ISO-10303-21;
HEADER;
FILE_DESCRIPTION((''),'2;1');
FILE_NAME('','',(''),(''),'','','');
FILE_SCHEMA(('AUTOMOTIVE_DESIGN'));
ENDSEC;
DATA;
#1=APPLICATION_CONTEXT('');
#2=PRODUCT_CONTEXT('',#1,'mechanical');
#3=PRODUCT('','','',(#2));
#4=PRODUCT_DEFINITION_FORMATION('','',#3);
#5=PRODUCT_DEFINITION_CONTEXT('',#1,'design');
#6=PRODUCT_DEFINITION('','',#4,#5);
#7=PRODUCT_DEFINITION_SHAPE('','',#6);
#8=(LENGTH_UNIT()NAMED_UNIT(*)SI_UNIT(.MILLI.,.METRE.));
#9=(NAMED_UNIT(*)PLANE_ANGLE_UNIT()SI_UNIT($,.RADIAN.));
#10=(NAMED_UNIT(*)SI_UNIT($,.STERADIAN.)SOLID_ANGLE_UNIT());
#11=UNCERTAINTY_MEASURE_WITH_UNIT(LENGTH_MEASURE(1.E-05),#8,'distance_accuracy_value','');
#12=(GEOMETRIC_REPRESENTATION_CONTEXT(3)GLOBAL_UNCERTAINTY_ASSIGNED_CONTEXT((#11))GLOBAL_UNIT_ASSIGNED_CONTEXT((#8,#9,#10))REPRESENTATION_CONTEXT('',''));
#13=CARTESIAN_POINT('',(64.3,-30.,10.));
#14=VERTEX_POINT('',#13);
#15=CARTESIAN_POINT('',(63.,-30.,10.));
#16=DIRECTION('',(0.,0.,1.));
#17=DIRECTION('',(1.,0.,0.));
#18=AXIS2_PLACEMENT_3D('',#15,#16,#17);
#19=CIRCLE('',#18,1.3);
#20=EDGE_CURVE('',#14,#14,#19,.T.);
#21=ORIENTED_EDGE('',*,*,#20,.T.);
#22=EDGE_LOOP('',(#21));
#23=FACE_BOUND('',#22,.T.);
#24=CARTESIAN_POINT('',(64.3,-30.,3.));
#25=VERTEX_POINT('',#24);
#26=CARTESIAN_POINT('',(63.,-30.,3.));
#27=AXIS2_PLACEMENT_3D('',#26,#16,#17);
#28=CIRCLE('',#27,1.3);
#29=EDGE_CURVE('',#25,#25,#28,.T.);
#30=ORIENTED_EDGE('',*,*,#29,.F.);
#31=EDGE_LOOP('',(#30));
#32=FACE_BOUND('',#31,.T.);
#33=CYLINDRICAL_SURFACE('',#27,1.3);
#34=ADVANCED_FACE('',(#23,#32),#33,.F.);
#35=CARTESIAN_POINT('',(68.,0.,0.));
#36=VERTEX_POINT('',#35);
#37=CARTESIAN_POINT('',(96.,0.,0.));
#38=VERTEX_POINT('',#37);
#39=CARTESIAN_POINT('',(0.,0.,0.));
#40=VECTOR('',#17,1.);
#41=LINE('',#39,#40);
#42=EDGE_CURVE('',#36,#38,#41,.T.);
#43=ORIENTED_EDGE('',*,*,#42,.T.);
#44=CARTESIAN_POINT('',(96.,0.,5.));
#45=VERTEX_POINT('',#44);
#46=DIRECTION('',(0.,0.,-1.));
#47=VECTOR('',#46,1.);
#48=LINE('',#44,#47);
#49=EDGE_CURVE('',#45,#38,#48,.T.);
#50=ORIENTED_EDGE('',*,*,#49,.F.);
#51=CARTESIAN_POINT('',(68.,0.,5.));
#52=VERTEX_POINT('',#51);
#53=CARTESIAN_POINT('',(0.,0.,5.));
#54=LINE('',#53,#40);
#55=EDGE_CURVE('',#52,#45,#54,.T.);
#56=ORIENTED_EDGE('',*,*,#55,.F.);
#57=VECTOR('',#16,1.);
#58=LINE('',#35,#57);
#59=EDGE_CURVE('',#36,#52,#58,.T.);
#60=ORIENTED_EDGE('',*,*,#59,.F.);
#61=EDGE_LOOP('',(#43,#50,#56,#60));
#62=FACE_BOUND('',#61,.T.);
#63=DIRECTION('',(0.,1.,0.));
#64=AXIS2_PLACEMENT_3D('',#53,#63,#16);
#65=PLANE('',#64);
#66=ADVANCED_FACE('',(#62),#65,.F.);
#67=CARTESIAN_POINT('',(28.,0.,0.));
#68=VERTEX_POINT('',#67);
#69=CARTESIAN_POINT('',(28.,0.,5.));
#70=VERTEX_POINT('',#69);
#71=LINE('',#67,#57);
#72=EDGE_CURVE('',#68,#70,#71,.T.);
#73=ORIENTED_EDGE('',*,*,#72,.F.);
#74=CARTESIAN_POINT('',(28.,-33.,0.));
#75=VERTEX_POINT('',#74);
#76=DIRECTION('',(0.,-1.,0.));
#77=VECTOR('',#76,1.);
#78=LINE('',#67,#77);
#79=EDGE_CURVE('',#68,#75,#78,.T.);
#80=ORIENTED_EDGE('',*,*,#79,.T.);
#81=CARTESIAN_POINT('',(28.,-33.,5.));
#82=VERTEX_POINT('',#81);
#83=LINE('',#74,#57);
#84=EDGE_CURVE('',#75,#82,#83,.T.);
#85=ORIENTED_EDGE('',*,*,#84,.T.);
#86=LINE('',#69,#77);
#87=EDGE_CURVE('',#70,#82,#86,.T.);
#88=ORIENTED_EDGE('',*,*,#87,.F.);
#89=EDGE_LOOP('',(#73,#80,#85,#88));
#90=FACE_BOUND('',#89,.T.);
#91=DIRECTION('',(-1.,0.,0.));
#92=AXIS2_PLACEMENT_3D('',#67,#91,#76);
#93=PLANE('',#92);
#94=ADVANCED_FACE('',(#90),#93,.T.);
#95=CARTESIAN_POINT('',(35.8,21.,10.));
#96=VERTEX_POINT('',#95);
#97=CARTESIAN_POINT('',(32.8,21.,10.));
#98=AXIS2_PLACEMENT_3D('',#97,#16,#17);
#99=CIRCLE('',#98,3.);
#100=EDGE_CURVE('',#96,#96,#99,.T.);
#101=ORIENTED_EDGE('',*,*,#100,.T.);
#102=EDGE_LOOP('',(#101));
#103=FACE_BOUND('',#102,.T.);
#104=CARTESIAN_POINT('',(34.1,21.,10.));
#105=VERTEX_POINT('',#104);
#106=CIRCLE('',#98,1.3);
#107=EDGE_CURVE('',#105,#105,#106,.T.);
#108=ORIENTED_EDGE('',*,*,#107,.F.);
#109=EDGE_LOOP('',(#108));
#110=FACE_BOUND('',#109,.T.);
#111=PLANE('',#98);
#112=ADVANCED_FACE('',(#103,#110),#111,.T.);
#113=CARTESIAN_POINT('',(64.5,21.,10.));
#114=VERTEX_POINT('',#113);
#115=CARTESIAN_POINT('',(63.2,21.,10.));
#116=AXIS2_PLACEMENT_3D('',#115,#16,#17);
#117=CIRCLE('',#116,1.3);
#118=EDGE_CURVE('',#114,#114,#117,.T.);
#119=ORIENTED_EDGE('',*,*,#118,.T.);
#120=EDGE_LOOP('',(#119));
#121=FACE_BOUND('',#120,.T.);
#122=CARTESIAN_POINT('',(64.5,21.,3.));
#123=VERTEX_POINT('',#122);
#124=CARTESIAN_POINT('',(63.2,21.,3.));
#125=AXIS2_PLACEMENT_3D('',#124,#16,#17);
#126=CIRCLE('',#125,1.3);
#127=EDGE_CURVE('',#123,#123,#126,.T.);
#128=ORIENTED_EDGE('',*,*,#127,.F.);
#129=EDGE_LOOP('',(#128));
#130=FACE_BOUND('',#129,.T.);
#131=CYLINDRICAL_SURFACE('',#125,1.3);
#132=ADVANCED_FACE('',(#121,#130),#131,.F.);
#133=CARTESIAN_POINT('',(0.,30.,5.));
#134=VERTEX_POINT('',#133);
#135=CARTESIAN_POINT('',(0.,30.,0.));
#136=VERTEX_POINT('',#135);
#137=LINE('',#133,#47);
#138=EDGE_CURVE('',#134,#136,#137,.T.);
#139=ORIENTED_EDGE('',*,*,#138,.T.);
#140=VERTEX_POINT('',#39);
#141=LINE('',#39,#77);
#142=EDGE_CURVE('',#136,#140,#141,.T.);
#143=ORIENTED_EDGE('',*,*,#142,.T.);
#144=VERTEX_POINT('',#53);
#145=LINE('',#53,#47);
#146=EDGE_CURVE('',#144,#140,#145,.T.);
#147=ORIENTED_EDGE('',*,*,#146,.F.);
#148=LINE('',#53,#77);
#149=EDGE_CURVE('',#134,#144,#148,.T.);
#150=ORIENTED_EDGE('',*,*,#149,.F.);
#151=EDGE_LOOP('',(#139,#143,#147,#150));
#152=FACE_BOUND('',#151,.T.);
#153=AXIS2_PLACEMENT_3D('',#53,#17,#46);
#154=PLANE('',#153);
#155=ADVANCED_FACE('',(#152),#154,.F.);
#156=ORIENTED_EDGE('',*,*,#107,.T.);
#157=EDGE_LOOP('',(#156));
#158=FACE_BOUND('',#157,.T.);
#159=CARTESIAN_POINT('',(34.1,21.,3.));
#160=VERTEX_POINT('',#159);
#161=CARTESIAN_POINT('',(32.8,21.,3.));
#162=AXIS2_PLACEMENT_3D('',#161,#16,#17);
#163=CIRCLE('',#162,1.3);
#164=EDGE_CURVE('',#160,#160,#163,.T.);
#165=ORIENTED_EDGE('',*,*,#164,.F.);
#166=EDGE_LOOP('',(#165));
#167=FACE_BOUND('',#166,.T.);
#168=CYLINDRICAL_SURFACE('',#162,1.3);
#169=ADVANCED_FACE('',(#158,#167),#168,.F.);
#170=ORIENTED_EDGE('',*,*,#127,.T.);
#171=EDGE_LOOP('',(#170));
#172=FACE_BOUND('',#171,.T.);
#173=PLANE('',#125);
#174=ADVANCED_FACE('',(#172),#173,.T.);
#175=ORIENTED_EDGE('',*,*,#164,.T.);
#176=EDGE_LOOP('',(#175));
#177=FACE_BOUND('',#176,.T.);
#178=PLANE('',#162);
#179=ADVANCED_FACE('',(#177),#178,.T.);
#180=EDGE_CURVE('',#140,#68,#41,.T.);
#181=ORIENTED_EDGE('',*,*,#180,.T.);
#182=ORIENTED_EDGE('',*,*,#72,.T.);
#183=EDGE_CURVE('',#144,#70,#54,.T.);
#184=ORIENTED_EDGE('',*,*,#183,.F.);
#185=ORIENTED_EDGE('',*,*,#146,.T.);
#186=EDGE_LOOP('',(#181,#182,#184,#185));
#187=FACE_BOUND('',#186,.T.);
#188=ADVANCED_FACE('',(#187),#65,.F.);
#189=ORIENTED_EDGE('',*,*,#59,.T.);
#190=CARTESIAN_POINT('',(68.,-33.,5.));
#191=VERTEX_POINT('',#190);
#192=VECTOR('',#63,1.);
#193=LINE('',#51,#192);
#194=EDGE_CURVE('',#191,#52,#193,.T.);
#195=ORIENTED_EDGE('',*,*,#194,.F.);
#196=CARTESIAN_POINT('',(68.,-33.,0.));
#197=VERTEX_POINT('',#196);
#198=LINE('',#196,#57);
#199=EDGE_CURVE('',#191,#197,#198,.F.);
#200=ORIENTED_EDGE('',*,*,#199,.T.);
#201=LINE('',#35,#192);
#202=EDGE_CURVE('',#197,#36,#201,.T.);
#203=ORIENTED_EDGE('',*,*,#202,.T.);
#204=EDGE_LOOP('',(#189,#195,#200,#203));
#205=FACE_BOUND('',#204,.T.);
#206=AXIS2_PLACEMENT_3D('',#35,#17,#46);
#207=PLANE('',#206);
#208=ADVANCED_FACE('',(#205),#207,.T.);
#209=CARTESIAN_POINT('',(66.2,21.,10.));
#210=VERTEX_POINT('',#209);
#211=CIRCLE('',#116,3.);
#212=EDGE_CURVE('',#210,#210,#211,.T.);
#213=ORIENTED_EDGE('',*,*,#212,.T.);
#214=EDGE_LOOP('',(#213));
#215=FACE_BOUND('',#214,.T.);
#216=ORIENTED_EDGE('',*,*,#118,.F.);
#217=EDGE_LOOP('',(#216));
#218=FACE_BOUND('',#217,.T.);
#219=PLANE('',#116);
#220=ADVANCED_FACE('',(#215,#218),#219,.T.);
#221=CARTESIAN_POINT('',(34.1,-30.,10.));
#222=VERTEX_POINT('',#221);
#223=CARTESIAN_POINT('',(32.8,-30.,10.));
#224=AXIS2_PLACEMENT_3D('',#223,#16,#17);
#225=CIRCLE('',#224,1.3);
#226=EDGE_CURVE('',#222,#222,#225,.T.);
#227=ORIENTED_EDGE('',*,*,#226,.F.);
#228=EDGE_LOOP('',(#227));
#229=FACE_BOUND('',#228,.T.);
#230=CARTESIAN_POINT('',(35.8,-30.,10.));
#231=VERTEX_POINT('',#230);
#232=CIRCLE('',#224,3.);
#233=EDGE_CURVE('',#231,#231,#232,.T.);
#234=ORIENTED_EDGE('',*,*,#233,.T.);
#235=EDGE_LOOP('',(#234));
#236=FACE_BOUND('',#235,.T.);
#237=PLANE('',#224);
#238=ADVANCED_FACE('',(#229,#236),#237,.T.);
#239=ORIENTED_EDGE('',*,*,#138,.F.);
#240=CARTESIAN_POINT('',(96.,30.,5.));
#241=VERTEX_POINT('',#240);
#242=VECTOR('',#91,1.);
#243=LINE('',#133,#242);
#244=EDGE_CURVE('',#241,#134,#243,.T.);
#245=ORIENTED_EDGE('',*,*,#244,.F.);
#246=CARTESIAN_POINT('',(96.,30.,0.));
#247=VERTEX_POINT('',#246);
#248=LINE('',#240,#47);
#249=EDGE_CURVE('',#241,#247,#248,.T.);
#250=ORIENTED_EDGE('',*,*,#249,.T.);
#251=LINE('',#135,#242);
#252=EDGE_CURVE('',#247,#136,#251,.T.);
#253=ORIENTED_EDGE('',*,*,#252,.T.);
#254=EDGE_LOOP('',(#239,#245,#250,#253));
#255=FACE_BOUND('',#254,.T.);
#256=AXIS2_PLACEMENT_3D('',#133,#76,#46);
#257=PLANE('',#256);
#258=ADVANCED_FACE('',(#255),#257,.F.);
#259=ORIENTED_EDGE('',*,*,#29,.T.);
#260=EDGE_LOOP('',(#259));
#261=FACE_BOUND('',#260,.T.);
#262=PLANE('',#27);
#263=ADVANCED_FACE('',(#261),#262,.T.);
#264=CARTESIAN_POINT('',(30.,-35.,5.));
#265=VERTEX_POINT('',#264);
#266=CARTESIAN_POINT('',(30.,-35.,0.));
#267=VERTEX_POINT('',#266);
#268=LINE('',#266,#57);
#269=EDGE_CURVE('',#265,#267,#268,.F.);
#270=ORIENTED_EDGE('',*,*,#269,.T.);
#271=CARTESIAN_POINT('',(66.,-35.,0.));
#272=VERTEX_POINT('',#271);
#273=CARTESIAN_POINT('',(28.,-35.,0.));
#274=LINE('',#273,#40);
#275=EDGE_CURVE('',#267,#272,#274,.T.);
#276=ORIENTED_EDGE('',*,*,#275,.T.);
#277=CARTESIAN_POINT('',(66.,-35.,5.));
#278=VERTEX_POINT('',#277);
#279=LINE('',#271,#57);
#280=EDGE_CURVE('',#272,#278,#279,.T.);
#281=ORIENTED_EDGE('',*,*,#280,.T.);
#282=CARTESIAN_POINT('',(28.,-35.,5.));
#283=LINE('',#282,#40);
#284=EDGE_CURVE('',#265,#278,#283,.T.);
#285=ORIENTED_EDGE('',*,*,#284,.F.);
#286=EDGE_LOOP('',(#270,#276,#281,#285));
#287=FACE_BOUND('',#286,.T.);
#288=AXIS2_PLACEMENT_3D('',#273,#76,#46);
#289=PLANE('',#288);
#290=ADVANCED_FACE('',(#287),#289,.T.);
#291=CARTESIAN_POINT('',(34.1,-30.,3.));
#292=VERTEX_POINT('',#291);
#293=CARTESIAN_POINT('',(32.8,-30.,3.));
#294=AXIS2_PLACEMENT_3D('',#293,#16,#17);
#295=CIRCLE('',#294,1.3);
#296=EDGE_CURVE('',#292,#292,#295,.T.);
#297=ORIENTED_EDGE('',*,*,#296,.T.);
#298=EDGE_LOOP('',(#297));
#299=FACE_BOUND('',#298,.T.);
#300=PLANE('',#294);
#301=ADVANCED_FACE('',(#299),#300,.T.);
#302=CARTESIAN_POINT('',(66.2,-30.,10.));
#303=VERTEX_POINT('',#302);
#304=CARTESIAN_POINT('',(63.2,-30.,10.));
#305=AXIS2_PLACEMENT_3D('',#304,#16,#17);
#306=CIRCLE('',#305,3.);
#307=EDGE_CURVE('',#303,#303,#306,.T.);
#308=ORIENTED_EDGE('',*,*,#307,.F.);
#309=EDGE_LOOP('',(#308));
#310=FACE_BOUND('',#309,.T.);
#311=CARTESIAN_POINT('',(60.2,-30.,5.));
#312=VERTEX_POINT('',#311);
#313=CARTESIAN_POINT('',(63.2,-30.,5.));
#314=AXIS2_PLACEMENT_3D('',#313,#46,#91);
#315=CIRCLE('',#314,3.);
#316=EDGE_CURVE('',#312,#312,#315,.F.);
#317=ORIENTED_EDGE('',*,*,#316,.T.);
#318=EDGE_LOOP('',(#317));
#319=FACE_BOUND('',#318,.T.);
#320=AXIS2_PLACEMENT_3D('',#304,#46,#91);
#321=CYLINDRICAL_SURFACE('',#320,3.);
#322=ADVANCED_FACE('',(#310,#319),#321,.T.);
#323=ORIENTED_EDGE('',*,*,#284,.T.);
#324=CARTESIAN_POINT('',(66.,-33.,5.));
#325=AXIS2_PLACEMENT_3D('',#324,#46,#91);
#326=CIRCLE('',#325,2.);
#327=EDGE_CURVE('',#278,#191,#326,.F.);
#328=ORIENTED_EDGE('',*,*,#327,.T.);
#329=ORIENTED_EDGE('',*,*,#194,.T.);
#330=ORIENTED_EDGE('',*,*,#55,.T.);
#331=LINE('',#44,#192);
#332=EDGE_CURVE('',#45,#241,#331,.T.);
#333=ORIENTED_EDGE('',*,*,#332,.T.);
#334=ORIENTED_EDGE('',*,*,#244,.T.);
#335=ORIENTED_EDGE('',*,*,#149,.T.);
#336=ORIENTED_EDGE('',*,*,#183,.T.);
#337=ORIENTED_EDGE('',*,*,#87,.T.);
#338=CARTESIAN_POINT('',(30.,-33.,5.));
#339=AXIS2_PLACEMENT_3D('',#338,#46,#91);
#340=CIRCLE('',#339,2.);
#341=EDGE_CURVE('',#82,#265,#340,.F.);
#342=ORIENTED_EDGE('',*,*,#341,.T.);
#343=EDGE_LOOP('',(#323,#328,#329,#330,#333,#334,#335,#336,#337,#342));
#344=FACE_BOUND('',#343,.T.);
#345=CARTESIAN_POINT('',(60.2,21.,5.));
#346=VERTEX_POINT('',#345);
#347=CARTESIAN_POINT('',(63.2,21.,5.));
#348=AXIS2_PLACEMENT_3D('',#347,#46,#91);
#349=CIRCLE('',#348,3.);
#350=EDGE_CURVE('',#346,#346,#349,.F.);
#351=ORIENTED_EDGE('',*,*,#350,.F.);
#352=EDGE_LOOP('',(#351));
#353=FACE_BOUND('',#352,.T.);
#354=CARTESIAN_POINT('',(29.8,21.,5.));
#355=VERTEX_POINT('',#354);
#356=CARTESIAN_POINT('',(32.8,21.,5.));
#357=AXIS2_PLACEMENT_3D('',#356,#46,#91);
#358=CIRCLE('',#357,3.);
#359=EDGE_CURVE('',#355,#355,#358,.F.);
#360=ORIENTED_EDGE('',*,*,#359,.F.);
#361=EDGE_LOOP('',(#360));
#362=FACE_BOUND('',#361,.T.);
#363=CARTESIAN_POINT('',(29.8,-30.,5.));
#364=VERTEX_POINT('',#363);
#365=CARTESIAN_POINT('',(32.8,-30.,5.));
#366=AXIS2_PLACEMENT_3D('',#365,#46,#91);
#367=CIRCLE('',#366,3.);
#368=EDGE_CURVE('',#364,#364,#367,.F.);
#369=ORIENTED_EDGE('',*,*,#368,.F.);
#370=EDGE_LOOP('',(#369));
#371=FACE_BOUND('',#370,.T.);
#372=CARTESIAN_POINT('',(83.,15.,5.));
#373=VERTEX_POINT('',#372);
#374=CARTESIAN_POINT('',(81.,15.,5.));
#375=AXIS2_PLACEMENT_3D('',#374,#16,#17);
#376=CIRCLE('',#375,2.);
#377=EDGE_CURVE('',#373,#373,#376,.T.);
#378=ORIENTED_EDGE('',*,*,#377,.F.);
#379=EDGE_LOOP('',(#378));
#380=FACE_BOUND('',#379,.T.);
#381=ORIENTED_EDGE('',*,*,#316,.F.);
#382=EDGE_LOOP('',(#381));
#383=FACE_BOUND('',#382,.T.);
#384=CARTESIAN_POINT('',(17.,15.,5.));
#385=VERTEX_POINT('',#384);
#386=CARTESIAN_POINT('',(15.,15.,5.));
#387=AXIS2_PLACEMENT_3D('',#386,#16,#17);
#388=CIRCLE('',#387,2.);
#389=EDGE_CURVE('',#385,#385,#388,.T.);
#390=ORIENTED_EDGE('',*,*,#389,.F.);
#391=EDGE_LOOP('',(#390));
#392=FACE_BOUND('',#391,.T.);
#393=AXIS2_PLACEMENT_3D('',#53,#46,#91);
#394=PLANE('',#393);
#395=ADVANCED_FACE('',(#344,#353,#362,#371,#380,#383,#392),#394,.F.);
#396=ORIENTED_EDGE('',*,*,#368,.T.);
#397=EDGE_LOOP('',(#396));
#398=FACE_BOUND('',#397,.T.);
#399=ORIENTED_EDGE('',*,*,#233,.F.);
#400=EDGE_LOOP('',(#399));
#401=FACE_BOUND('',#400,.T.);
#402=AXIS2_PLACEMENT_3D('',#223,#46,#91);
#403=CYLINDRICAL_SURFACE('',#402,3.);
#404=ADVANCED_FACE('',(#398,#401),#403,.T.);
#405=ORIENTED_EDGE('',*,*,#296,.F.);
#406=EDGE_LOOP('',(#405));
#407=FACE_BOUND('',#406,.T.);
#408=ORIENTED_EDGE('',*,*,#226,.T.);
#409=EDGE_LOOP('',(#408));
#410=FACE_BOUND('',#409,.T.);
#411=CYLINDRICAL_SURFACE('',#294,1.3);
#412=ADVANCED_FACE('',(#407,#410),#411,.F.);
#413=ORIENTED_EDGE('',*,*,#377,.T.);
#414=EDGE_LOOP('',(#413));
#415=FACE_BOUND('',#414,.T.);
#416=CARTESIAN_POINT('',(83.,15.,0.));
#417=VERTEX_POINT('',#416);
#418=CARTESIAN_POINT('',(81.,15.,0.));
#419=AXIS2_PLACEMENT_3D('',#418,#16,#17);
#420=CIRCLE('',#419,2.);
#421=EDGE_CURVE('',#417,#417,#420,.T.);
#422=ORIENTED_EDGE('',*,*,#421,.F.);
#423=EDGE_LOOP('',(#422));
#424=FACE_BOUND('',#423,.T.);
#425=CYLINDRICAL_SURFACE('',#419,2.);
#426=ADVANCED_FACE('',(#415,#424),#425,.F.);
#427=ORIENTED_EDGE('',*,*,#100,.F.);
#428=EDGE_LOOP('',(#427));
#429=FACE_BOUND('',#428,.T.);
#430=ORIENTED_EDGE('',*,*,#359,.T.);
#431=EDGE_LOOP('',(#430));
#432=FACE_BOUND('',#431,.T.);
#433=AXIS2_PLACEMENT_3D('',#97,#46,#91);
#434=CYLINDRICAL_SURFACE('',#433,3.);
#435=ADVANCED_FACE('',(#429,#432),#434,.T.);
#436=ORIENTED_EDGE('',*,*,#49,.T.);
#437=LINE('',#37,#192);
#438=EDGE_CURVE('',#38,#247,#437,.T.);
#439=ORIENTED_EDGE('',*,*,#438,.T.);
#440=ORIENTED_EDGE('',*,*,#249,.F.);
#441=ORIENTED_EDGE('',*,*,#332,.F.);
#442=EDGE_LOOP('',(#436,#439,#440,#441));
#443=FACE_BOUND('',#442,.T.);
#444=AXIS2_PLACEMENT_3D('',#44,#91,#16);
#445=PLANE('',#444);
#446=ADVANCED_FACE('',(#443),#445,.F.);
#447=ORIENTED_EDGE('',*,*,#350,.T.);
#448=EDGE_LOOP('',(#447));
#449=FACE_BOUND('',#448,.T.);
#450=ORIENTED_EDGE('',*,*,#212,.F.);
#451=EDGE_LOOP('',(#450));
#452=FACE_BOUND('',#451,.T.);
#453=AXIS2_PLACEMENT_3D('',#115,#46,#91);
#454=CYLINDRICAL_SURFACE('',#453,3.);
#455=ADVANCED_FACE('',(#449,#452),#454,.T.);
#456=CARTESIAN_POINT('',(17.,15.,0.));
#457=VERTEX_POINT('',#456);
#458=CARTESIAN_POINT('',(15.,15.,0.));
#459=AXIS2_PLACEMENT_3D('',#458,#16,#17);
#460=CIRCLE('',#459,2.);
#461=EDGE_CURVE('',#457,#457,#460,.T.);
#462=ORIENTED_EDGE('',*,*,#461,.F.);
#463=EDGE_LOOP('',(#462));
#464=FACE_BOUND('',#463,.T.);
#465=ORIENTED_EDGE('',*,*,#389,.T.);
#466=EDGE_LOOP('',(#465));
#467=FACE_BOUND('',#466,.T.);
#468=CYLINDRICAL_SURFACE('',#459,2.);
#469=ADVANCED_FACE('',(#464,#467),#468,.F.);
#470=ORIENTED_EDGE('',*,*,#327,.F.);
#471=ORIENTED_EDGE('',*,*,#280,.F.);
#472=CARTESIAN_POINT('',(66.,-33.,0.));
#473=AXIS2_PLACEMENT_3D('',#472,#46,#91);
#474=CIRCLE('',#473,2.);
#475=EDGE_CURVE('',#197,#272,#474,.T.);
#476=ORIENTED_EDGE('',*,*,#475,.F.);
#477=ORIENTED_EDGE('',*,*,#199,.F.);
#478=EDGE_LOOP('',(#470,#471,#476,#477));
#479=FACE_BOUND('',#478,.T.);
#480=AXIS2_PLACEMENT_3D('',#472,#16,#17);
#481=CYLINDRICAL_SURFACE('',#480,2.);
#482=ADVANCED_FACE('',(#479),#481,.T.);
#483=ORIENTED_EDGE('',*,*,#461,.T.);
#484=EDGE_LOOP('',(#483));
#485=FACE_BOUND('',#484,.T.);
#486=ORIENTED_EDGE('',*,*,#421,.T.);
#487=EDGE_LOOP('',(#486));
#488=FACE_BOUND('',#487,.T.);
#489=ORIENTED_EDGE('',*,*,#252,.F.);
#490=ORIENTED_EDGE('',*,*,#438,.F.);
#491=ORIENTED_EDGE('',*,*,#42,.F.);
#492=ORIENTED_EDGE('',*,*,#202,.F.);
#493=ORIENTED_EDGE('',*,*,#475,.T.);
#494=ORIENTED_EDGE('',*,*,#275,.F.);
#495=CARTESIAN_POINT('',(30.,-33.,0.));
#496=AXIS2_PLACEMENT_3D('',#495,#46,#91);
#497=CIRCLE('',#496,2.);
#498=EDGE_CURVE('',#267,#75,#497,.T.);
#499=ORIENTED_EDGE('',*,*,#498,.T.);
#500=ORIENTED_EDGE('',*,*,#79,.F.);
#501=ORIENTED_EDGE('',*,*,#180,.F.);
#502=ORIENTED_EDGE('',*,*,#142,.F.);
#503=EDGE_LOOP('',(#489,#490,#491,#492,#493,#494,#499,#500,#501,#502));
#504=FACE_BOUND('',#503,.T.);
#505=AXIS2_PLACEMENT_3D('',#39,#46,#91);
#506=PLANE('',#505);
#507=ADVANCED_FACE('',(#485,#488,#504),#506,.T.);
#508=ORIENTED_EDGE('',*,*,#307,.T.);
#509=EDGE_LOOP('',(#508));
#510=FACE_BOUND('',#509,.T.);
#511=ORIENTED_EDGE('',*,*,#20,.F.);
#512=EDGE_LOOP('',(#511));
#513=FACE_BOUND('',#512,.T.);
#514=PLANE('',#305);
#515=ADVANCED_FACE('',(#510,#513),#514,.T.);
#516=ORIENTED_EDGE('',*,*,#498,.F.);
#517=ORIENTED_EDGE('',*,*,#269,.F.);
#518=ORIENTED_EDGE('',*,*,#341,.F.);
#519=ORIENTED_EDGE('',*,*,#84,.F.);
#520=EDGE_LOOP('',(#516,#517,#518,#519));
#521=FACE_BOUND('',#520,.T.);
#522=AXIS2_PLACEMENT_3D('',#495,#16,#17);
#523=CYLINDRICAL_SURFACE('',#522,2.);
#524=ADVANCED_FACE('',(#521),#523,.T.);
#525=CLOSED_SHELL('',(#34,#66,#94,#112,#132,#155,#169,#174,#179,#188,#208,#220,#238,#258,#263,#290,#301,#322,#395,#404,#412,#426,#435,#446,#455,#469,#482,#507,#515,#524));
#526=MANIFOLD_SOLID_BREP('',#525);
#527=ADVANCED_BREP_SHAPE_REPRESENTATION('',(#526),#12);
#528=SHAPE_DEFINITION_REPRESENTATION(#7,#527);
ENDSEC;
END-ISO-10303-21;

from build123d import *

# Parameters (mm, degrees)
SZKIC1_W                    = 96
SZKIC1_H                    = 30
DODANIE_WYCI_GNI_CIE1_DEPTH = 5
SZKIC2_W                    = 40
SZKIC2_H                    = 35
DODANIE_WYCI_GNI_CIE2_DEPTH = 5
SZKIC3_R                    = 2
WYTNIJ_WYCI_GNI_CIE1_DEPTH  = 5
SZKIC4_R                    = 3
DODANIE_WYCI_GNI_CIE3_DEPTH = 5
SZKIC5_R                    = 1.3
WYTNIJ_WYCI_GNI_CIE2_DEPTH  = 7
ZAOKR_GLENIE1_R             = 2


with BuildPart() as part:
    # Szkic1 → Dodanie-wyciągnięcie1 (new body)
    with BuildSketch(Plane.XY):
        with Locations((48, 15)):
            Rectangle(SZKIC1_W, SZKIC1_H)
    extrude(amount=DODANIE_WYCI_GNI_CIE1_DEPTH)

    # Szkic2 → Dodanie-wyciągnięcie2 (add)
    with BuildSketch(Plane.XY.offset(5)):
        with Locations((48, -17.5)):
            Rectangle(SZKIC2_W, SZKIC2_H)
    extrude(amount=-DODANIE_WYCI_GNI_CIE2_DEPTH)

    # Szkic3 → Wytnij-wyciągnięcie1 (cut)
    with BuildSketch(Plane.XY.offset(5)):
        with Locations((15, 15)):
            Circle(SZKIC3_R)
        with Locations((81, 15)):
            Circle(SZKIC3_R)
    extrude(amount=-WYTNIJ_WYCI_GNI_CIE1_DEPTH, mode=Mode.SUBTRACT)

    # Szkic4 → Dodanie-wyciągnięcie3 (add)
    with BuildSketch(Plane.XY.offset(5)):
        with Locations(Location((32.8, -30, 0), (0, 0, 180))):
            Circle(SZKIC4_R)
        with Locations(Location((63.2, -30, 0), (0, 0, 180))):
            Circle(SZKIC4_R)
        with Locations(Location((63.2, 21, 0), (0, 0, 180))):
            Circle(SZKIC4_R)
        with Locations(Location((32.8, 21, 0), (0, 0, 180))):
            Circle(SZKIC4_R)
    extrude(amount=DODANIE_WYCI_GNI_CIE3_DEPTH)

    # Szkic5 → Wytnij-wyciągnięcie2 (cut)
    with BuildSketch(Plane.XY.offset(10)):
        with Locations((32.8, 21)):
            Circle(SZKIC5_R)
        with Locations((63.2, 21)):
            Circle(SZKIC5_R)
        with Locations((32.8, -30)):
            Circle(SZKIC5_R)
        with Locations((63, -30)):
            Circle(SZKIC5_R)
    extrude(amount=-WYTNIJ_WYCI_GNI_CIE2_DEPTH, mode=Mode.SUBTRACT)

    # Zaokrąglenie1
    zaokr_glenie1_edges = [part.edges().sort_by_distance(p)[0] for p in [
        (28, -35, 2.5),
        (68, -35, 2.5),
    ]]
    fillet(zaokr_glenie1_edges, radius=ZAOKR_GLENIE1_R)


solid = part.part
